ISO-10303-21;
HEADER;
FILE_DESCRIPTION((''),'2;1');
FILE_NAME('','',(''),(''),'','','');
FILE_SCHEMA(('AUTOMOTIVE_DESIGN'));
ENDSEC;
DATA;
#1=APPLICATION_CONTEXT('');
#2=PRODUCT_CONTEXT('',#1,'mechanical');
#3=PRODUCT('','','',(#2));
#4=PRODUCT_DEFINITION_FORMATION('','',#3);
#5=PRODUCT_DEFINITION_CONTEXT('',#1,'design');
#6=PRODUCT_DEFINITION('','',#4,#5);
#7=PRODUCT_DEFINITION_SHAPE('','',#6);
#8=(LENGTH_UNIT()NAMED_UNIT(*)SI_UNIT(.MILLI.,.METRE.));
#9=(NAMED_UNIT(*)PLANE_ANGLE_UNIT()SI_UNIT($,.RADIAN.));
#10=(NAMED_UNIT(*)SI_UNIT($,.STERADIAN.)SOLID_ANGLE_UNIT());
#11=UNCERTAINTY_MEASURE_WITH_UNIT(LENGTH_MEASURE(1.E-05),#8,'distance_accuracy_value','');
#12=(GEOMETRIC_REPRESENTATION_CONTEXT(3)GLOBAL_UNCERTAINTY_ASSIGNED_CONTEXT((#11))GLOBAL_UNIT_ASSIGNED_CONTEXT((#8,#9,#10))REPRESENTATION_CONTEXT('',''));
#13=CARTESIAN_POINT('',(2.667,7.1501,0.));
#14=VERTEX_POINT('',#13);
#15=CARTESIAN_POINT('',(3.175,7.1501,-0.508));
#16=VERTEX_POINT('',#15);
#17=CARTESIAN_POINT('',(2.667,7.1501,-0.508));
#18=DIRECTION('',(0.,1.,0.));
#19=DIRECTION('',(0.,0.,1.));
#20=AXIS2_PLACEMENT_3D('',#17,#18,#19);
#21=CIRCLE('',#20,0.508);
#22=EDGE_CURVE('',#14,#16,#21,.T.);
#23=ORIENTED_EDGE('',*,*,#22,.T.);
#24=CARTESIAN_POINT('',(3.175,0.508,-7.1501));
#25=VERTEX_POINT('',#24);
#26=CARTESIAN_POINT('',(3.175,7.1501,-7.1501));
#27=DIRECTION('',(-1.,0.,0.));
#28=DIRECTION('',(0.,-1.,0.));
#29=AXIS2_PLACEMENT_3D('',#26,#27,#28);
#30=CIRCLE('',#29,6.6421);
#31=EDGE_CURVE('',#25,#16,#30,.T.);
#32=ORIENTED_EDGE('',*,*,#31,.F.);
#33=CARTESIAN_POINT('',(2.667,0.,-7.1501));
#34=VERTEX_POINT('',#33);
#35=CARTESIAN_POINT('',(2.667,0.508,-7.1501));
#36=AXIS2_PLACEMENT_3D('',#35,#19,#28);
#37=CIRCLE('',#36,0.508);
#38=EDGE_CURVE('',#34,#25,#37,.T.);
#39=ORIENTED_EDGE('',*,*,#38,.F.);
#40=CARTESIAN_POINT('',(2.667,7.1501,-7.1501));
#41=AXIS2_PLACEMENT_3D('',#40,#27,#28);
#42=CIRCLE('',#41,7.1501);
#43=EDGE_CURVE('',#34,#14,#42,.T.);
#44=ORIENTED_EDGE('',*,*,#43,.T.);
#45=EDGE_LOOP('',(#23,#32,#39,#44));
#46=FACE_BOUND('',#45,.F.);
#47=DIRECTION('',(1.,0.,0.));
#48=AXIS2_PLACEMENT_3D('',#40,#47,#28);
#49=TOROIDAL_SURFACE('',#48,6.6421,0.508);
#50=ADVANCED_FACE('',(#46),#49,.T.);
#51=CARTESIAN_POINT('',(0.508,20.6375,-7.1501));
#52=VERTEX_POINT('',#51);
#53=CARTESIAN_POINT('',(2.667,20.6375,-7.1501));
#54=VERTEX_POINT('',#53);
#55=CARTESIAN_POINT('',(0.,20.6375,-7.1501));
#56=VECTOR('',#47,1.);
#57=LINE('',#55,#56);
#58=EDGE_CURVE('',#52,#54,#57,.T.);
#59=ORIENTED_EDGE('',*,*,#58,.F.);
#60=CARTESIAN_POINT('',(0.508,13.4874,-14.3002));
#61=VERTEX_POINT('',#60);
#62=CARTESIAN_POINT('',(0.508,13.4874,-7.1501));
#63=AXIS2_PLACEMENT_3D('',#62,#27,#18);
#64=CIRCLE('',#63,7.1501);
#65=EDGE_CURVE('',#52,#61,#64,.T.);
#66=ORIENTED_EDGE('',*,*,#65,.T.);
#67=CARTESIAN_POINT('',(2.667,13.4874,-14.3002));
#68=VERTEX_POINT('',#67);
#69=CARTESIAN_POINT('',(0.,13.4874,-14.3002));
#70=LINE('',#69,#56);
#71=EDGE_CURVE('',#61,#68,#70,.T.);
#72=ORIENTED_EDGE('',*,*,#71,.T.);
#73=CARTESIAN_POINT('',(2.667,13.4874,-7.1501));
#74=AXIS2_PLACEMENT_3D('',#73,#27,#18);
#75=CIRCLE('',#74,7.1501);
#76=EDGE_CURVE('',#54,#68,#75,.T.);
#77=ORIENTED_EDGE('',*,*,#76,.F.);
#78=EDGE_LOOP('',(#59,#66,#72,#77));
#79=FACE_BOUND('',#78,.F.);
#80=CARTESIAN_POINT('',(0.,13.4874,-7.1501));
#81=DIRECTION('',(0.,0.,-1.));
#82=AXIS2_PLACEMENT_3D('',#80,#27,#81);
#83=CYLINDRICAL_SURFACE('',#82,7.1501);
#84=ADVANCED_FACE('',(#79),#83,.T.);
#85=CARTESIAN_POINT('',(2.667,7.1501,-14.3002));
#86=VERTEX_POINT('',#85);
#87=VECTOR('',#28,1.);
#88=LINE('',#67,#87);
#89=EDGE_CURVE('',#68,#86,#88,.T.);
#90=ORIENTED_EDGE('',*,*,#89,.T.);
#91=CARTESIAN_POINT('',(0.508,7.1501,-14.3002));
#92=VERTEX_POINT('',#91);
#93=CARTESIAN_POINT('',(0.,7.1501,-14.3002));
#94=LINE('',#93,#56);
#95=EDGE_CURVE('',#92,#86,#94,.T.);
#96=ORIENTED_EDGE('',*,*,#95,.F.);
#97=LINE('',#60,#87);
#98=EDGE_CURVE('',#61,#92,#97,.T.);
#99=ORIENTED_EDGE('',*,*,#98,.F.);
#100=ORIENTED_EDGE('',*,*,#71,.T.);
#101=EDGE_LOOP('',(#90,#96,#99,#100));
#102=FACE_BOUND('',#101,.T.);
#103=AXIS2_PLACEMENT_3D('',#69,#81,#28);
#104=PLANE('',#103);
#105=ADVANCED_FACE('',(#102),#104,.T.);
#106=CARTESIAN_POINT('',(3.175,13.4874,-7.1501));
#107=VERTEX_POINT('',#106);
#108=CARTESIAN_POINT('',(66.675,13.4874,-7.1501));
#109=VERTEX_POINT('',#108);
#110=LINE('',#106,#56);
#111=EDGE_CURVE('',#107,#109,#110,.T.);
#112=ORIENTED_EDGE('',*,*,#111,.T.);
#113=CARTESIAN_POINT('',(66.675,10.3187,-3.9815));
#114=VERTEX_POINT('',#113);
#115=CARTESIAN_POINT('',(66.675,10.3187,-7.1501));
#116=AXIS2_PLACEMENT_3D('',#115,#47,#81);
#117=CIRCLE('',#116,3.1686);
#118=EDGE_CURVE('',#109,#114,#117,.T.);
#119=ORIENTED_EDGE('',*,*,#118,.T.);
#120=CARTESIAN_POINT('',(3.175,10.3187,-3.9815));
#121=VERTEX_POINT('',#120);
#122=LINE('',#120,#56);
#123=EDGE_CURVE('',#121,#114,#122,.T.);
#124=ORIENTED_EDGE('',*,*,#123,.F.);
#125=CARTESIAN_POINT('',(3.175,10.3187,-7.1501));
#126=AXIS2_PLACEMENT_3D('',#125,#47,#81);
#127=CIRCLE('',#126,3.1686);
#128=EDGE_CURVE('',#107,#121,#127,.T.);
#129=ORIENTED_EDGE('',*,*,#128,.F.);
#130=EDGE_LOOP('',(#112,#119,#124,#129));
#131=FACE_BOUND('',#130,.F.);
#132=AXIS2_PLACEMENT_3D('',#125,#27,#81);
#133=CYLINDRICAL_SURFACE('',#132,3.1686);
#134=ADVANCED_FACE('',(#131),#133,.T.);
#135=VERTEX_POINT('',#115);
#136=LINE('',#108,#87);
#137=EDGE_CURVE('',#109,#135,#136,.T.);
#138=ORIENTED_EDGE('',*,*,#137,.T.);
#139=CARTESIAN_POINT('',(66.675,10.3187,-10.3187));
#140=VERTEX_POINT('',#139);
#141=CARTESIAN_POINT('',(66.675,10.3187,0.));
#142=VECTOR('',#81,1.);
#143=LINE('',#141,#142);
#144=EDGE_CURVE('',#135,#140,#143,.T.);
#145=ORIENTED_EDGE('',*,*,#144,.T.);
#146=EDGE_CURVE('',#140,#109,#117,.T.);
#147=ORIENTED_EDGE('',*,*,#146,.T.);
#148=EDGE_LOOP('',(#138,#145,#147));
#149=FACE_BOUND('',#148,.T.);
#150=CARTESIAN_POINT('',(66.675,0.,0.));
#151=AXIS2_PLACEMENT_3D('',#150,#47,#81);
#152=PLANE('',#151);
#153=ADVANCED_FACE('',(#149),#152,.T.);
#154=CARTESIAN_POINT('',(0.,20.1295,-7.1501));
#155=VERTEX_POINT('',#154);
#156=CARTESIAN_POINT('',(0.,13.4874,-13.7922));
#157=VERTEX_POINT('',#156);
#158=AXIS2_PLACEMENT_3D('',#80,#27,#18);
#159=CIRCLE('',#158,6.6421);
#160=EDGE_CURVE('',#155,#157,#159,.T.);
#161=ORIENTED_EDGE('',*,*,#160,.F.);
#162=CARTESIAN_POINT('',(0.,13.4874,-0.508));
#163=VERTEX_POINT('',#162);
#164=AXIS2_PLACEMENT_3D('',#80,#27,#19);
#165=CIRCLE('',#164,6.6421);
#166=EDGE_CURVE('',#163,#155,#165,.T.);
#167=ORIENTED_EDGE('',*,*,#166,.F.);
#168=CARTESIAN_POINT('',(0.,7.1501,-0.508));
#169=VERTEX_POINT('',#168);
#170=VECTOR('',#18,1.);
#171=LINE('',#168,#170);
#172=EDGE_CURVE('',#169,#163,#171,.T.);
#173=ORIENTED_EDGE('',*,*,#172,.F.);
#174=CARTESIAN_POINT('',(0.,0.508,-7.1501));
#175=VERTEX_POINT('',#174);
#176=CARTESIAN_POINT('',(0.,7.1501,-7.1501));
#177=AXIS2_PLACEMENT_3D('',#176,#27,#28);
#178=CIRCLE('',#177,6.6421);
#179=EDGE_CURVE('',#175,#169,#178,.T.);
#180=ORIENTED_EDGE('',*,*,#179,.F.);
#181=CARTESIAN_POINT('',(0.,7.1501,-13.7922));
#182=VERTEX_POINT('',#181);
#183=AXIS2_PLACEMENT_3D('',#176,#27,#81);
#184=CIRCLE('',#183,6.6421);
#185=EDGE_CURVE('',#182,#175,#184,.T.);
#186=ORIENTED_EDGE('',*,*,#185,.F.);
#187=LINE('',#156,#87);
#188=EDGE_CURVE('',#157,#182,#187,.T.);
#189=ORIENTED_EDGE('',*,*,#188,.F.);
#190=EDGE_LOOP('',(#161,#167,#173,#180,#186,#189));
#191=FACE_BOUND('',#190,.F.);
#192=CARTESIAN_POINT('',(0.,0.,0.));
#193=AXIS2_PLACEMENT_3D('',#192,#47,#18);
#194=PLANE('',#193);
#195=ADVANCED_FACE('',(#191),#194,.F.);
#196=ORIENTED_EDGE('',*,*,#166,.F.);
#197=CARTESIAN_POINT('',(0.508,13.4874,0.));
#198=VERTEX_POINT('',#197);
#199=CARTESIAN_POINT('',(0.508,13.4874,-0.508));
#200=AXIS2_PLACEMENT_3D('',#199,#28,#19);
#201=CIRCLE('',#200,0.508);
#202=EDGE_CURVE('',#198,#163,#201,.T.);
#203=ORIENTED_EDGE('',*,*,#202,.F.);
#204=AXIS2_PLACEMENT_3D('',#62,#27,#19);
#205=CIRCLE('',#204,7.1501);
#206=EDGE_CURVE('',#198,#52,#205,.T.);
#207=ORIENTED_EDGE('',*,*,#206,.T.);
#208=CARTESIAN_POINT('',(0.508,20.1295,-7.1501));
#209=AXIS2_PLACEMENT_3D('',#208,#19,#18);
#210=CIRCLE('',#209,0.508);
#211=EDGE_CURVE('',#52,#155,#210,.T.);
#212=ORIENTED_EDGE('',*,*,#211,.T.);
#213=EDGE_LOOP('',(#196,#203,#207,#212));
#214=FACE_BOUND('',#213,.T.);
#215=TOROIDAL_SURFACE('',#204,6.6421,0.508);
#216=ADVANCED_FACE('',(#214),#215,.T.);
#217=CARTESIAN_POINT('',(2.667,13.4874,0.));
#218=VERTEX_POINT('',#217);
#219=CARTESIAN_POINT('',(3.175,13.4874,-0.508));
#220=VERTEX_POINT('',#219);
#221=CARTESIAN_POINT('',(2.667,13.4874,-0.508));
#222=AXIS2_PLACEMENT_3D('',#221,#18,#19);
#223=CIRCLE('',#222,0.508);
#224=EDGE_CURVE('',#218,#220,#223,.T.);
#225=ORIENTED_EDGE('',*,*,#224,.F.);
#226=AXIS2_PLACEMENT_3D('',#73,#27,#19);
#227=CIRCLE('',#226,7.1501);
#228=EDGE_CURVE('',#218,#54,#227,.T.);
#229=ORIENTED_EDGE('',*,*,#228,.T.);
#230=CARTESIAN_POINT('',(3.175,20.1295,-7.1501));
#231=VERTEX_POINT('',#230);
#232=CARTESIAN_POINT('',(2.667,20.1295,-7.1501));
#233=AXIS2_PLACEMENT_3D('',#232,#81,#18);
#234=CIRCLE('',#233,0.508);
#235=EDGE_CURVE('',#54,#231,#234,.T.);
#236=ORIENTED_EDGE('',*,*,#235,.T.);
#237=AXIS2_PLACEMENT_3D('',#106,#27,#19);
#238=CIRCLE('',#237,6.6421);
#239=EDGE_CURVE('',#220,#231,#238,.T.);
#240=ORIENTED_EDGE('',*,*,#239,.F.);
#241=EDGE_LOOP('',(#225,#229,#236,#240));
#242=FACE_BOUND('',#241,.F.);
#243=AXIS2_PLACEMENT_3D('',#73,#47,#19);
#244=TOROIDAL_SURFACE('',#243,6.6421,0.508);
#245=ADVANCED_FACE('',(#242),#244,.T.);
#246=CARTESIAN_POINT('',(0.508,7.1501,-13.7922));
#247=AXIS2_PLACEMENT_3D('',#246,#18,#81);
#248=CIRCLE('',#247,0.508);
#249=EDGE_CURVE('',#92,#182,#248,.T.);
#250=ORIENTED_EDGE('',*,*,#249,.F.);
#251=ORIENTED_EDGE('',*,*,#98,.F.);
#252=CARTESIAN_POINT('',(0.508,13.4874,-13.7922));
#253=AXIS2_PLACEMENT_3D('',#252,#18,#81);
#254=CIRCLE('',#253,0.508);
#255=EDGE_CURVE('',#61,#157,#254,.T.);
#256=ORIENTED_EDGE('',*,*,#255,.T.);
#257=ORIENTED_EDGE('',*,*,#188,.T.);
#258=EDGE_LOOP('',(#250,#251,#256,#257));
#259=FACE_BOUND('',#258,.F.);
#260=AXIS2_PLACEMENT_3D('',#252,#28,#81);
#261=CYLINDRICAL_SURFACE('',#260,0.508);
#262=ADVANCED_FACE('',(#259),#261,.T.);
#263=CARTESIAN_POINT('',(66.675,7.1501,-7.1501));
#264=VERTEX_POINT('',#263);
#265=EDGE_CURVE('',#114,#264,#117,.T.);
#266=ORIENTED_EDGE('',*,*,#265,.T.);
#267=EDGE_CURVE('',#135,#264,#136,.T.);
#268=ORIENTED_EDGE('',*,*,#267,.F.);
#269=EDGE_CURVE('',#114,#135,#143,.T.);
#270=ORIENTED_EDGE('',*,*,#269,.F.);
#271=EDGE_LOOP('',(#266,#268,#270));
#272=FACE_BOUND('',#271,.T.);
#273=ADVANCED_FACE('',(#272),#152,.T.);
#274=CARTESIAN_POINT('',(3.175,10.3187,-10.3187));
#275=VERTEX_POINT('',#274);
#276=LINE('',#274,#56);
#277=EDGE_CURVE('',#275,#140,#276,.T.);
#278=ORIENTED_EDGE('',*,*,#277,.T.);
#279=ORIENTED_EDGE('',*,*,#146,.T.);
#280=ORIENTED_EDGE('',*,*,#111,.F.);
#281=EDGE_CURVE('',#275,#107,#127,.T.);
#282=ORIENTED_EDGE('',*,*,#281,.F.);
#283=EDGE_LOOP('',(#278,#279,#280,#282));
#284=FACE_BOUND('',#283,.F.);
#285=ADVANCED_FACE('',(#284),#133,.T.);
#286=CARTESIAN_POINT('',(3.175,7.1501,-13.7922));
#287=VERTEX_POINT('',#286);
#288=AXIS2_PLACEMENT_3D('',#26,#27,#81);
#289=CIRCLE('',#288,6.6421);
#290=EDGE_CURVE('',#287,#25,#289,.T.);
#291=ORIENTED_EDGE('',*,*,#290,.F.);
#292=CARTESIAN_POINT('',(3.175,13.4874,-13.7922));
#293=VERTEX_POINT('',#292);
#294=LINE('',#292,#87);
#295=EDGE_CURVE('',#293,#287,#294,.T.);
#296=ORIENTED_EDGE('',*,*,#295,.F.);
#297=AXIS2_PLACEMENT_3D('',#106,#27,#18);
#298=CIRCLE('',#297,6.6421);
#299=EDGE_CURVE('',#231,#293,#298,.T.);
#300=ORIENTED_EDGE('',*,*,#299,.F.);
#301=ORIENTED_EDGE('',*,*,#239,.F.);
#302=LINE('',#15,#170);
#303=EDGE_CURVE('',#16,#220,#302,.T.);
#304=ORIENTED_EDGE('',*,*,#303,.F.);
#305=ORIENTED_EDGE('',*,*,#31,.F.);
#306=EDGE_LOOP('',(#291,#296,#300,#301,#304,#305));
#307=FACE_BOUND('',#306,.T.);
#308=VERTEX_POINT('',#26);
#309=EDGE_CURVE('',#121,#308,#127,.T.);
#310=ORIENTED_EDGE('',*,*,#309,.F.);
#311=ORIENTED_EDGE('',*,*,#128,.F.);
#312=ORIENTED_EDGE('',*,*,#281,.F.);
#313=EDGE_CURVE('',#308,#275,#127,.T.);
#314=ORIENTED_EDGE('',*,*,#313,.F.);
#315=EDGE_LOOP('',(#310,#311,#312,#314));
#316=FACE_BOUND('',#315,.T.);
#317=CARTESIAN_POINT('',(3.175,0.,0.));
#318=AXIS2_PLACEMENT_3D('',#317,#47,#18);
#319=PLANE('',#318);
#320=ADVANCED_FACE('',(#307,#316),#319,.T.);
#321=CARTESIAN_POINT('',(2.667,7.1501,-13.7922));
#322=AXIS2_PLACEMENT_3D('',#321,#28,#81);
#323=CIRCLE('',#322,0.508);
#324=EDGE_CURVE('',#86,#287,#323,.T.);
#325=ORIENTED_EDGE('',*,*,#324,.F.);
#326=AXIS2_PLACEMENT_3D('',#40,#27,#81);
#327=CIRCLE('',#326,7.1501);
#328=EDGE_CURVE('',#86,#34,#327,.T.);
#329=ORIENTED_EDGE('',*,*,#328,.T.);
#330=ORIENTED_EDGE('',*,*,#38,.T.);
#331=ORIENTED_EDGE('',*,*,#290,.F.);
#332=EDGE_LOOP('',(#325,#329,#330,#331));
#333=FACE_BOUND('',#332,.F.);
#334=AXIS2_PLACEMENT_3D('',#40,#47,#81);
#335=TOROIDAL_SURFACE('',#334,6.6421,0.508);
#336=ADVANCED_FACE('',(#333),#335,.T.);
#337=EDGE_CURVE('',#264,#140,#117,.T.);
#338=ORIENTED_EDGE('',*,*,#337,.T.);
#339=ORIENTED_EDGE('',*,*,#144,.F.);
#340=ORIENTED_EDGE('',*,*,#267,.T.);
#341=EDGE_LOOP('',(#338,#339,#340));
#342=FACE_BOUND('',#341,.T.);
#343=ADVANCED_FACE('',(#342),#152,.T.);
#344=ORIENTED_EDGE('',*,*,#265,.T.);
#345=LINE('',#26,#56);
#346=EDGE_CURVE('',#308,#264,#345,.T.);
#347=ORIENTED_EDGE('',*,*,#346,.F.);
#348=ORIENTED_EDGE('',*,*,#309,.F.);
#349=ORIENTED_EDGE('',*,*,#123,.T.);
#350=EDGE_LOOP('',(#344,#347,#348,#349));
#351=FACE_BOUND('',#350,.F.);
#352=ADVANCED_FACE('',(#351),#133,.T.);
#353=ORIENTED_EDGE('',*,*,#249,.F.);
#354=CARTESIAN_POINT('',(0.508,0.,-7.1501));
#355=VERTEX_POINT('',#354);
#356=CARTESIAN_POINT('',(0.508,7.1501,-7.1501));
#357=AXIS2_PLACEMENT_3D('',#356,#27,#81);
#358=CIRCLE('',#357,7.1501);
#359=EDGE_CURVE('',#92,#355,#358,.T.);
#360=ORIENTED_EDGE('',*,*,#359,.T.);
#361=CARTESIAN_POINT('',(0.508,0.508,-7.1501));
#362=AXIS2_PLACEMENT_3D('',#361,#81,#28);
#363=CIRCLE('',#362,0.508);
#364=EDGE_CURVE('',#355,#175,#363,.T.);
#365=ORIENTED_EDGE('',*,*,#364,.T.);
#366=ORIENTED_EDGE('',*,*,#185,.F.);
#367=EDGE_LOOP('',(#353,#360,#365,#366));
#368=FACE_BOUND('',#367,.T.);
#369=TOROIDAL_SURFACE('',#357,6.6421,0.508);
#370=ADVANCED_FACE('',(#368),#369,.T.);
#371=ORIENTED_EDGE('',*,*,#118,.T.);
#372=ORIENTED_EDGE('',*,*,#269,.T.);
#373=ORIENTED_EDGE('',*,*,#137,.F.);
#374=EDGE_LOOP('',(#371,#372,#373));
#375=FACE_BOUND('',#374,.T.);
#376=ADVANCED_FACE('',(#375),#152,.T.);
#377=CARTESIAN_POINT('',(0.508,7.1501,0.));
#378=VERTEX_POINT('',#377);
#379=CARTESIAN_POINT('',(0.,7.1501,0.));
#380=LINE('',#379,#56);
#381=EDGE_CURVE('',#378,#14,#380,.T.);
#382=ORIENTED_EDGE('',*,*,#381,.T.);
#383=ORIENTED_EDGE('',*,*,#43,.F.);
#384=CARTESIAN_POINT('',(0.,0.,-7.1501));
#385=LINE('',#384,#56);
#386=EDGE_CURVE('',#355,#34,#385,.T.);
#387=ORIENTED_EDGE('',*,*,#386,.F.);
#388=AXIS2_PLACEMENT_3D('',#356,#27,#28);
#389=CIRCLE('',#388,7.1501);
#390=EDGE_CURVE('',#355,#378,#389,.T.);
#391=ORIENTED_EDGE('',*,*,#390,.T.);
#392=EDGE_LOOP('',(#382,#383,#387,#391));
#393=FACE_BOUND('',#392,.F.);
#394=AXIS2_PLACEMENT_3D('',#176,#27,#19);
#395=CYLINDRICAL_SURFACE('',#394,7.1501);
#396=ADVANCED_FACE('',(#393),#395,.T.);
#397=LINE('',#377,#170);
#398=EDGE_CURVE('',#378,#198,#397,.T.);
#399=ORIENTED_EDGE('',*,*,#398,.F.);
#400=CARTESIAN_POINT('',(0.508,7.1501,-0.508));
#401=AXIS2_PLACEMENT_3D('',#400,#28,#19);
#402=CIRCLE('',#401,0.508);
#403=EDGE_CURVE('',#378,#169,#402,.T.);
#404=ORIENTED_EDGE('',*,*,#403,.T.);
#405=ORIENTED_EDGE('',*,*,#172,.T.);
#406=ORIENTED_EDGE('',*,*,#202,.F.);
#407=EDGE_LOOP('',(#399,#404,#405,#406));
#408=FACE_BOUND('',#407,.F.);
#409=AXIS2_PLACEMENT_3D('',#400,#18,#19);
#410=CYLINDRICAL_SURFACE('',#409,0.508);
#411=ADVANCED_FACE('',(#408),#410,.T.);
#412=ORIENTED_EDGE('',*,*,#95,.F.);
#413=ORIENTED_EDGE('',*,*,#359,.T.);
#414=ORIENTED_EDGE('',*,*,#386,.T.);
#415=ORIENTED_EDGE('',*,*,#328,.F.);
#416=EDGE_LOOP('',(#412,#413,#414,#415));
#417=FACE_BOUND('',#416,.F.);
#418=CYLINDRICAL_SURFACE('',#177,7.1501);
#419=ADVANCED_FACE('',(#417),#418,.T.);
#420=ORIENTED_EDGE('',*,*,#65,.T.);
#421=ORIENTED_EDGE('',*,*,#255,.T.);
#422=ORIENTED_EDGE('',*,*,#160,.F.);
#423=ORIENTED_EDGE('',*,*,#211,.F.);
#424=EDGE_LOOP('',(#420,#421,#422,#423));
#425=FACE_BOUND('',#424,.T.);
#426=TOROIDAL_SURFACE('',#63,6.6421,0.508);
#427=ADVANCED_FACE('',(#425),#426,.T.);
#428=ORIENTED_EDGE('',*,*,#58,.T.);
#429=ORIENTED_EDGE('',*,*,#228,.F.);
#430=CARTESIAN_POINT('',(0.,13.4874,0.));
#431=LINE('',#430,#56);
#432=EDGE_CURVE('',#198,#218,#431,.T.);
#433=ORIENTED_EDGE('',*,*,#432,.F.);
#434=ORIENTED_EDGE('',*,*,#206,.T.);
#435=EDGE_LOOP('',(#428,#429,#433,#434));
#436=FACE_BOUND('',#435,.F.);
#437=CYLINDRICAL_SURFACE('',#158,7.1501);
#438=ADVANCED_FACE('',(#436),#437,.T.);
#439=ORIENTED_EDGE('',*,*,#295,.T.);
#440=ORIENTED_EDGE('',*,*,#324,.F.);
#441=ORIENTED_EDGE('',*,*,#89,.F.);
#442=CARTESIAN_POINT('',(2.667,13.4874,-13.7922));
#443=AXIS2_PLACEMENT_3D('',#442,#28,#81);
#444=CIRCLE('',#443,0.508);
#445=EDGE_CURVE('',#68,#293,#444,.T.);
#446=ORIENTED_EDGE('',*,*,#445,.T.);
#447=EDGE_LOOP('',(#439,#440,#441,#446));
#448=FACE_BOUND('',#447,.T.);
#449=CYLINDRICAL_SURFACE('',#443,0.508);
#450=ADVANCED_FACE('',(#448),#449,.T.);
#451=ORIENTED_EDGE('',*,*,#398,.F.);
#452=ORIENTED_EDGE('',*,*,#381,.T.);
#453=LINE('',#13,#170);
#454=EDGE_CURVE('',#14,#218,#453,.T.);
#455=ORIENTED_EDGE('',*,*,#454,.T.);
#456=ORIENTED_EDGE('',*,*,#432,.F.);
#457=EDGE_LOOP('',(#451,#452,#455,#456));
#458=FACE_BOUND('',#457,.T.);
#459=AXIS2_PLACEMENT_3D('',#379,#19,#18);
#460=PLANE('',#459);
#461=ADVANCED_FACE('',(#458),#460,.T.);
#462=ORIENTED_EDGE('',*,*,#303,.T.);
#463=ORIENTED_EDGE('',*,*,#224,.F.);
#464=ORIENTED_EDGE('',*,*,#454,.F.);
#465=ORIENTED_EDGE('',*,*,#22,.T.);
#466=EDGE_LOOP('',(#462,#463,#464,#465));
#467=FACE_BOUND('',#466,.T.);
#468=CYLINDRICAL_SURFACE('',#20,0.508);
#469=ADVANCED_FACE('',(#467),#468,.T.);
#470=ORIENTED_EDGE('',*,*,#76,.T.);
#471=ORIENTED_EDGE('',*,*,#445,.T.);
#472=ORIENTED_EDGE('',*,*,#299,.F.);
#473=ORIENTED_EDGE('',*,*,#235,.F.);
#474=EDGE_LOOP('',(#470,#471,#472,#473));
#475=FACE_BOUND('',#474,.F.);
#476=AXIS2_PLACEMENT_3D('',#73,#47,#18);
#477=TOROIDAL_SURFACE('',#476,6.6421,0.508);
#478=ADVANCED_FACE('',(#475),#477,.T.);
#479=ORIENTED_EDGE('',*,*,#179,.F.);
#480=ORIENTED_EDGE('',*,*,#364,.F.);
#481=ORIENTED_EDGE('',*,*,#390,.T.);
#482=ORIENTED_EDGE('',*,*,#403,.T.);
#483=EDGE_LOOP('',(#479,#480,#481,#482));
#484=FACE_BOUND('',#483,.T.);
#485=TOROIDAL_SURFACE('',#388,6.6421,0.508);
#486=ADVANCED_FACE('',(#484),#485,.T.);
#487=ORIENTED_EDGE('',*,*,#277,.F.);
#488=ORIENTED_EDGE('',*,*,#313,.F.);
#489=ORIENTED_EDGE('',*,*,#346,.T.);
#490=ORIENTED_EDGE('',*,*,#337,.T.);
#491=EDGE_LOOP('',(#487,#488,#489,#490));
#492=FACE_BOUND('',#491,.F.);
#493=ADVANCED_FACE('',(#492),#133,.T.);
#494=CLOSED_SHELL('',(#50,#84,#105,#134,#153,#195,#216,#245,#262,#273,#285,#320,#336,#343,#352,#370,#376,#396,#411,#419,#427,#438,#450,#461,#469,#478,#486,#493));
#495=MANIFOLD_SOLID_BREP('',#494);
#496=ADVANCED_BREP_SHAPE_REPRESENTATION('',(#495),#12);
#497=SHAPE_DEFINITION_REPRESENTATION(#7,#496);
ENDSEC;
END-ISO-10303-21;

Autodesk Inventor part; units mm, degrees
ref_plane "YZ Plane" through (0, 0, 0) normal (1, 0, 0) x (0, 1, 0)
ref_plane "XZ Plane" through (0, 0, 0) normal (0, 1, 0) x (-1, 0, 0)
ref_plane "XY Plane" through (0, 0, 0) normal (0, 0, 1) x (1, 0, 0)
sketch "Sketch1" plane through (0, 0, 0) normal (1, 0, 0) x (0, 1, 0)
  line L0 (7.1501, 0) -> (13.4874, 0)
  line L1 (20.6375, -7.1501) -> (20.6375, -7.1501)
  line L2 (13.4874, -14.3002) -> (7.1501, -14.3002)
  line L3 (0, -7.1501) -> (0, -7.1501)
  arc A0 (20.6375, -7.1501) -> (13.4874, 0) centre (13.4874, -7.1501) ccw
  arc A1 (13.4874, -14.3002) -> (20.6375, -7.1501) centre (13.4874, -7.1501) ccw
  arc A2 (0, -7.1501) -> (7.1501, -14.3002) centre (7.1501, -7.1501) ccw
  arc A3 (7.1501, 0) -> (0, -7.1501) centre (7.1501, -7.1501) ccw
  point P0 (0, 0)
  point P1 (20.6375, -14.3002)
  point P2 (20.6375, 0)
  point P3 (0, -14.3002)
  dimension "d0" = 20.6375
  dimension "d1" = 14.3002
  dimension "d2" = 7.1501
extrude "Extrusion1" add sketch "Sketch1" along normal blind 3.175
sketch "Sketch2" plane through (3.175, 0, 0) normal (1, 0, 0) x (0, 0, -1)
  line L0 (0, 13.4874) -> (0, 7.1501) projected
  line L1 (0, 10.3187) -> (14.3002, 10.3187)
  line L2 (14.3002, 7.1501) -> (14.3002, 13.4874) projected
  arc A0 (14.3002, 13.4874) -> (0, 13.4874) centre (7.1501, 13.4874) ccw projected
  arc A1 (0, 7.1501) -> (14.3002, 7.1501) centre (7.1501, 7.1501) ccw projected
  line L3 (7.1501, 13.4874) -> (7.1501, 7.1501)
  circle A2 centre (7.1501, 10.3187) radius 3.1686
  point P0 (0, 0)
extrude "Extrusion2" add sketch "Sketch2" along normal blind 63.5 contours A2 L3 L1 | L1 L3 A2 | L3 A2 L1 | L1 A2 L3
thread "Thread1" size "1/4-20 UNC" class "2A" standard "ANSI Unified Screw Threads" full length
fillet "Fillet1" radius 0.508 8 edges at (3.175, 10.3187, 0) (3.175, 0, -7.1501) (3.175, 10.3187, -14.3002) (3.175, 20.6375, -7.1501) (0, 10.3187, 0) (0, 0, -7.1501) (0, 10.3187, -14.3002) (0, 20.6375, -7.1501)
properties part number "TeeBolt"
